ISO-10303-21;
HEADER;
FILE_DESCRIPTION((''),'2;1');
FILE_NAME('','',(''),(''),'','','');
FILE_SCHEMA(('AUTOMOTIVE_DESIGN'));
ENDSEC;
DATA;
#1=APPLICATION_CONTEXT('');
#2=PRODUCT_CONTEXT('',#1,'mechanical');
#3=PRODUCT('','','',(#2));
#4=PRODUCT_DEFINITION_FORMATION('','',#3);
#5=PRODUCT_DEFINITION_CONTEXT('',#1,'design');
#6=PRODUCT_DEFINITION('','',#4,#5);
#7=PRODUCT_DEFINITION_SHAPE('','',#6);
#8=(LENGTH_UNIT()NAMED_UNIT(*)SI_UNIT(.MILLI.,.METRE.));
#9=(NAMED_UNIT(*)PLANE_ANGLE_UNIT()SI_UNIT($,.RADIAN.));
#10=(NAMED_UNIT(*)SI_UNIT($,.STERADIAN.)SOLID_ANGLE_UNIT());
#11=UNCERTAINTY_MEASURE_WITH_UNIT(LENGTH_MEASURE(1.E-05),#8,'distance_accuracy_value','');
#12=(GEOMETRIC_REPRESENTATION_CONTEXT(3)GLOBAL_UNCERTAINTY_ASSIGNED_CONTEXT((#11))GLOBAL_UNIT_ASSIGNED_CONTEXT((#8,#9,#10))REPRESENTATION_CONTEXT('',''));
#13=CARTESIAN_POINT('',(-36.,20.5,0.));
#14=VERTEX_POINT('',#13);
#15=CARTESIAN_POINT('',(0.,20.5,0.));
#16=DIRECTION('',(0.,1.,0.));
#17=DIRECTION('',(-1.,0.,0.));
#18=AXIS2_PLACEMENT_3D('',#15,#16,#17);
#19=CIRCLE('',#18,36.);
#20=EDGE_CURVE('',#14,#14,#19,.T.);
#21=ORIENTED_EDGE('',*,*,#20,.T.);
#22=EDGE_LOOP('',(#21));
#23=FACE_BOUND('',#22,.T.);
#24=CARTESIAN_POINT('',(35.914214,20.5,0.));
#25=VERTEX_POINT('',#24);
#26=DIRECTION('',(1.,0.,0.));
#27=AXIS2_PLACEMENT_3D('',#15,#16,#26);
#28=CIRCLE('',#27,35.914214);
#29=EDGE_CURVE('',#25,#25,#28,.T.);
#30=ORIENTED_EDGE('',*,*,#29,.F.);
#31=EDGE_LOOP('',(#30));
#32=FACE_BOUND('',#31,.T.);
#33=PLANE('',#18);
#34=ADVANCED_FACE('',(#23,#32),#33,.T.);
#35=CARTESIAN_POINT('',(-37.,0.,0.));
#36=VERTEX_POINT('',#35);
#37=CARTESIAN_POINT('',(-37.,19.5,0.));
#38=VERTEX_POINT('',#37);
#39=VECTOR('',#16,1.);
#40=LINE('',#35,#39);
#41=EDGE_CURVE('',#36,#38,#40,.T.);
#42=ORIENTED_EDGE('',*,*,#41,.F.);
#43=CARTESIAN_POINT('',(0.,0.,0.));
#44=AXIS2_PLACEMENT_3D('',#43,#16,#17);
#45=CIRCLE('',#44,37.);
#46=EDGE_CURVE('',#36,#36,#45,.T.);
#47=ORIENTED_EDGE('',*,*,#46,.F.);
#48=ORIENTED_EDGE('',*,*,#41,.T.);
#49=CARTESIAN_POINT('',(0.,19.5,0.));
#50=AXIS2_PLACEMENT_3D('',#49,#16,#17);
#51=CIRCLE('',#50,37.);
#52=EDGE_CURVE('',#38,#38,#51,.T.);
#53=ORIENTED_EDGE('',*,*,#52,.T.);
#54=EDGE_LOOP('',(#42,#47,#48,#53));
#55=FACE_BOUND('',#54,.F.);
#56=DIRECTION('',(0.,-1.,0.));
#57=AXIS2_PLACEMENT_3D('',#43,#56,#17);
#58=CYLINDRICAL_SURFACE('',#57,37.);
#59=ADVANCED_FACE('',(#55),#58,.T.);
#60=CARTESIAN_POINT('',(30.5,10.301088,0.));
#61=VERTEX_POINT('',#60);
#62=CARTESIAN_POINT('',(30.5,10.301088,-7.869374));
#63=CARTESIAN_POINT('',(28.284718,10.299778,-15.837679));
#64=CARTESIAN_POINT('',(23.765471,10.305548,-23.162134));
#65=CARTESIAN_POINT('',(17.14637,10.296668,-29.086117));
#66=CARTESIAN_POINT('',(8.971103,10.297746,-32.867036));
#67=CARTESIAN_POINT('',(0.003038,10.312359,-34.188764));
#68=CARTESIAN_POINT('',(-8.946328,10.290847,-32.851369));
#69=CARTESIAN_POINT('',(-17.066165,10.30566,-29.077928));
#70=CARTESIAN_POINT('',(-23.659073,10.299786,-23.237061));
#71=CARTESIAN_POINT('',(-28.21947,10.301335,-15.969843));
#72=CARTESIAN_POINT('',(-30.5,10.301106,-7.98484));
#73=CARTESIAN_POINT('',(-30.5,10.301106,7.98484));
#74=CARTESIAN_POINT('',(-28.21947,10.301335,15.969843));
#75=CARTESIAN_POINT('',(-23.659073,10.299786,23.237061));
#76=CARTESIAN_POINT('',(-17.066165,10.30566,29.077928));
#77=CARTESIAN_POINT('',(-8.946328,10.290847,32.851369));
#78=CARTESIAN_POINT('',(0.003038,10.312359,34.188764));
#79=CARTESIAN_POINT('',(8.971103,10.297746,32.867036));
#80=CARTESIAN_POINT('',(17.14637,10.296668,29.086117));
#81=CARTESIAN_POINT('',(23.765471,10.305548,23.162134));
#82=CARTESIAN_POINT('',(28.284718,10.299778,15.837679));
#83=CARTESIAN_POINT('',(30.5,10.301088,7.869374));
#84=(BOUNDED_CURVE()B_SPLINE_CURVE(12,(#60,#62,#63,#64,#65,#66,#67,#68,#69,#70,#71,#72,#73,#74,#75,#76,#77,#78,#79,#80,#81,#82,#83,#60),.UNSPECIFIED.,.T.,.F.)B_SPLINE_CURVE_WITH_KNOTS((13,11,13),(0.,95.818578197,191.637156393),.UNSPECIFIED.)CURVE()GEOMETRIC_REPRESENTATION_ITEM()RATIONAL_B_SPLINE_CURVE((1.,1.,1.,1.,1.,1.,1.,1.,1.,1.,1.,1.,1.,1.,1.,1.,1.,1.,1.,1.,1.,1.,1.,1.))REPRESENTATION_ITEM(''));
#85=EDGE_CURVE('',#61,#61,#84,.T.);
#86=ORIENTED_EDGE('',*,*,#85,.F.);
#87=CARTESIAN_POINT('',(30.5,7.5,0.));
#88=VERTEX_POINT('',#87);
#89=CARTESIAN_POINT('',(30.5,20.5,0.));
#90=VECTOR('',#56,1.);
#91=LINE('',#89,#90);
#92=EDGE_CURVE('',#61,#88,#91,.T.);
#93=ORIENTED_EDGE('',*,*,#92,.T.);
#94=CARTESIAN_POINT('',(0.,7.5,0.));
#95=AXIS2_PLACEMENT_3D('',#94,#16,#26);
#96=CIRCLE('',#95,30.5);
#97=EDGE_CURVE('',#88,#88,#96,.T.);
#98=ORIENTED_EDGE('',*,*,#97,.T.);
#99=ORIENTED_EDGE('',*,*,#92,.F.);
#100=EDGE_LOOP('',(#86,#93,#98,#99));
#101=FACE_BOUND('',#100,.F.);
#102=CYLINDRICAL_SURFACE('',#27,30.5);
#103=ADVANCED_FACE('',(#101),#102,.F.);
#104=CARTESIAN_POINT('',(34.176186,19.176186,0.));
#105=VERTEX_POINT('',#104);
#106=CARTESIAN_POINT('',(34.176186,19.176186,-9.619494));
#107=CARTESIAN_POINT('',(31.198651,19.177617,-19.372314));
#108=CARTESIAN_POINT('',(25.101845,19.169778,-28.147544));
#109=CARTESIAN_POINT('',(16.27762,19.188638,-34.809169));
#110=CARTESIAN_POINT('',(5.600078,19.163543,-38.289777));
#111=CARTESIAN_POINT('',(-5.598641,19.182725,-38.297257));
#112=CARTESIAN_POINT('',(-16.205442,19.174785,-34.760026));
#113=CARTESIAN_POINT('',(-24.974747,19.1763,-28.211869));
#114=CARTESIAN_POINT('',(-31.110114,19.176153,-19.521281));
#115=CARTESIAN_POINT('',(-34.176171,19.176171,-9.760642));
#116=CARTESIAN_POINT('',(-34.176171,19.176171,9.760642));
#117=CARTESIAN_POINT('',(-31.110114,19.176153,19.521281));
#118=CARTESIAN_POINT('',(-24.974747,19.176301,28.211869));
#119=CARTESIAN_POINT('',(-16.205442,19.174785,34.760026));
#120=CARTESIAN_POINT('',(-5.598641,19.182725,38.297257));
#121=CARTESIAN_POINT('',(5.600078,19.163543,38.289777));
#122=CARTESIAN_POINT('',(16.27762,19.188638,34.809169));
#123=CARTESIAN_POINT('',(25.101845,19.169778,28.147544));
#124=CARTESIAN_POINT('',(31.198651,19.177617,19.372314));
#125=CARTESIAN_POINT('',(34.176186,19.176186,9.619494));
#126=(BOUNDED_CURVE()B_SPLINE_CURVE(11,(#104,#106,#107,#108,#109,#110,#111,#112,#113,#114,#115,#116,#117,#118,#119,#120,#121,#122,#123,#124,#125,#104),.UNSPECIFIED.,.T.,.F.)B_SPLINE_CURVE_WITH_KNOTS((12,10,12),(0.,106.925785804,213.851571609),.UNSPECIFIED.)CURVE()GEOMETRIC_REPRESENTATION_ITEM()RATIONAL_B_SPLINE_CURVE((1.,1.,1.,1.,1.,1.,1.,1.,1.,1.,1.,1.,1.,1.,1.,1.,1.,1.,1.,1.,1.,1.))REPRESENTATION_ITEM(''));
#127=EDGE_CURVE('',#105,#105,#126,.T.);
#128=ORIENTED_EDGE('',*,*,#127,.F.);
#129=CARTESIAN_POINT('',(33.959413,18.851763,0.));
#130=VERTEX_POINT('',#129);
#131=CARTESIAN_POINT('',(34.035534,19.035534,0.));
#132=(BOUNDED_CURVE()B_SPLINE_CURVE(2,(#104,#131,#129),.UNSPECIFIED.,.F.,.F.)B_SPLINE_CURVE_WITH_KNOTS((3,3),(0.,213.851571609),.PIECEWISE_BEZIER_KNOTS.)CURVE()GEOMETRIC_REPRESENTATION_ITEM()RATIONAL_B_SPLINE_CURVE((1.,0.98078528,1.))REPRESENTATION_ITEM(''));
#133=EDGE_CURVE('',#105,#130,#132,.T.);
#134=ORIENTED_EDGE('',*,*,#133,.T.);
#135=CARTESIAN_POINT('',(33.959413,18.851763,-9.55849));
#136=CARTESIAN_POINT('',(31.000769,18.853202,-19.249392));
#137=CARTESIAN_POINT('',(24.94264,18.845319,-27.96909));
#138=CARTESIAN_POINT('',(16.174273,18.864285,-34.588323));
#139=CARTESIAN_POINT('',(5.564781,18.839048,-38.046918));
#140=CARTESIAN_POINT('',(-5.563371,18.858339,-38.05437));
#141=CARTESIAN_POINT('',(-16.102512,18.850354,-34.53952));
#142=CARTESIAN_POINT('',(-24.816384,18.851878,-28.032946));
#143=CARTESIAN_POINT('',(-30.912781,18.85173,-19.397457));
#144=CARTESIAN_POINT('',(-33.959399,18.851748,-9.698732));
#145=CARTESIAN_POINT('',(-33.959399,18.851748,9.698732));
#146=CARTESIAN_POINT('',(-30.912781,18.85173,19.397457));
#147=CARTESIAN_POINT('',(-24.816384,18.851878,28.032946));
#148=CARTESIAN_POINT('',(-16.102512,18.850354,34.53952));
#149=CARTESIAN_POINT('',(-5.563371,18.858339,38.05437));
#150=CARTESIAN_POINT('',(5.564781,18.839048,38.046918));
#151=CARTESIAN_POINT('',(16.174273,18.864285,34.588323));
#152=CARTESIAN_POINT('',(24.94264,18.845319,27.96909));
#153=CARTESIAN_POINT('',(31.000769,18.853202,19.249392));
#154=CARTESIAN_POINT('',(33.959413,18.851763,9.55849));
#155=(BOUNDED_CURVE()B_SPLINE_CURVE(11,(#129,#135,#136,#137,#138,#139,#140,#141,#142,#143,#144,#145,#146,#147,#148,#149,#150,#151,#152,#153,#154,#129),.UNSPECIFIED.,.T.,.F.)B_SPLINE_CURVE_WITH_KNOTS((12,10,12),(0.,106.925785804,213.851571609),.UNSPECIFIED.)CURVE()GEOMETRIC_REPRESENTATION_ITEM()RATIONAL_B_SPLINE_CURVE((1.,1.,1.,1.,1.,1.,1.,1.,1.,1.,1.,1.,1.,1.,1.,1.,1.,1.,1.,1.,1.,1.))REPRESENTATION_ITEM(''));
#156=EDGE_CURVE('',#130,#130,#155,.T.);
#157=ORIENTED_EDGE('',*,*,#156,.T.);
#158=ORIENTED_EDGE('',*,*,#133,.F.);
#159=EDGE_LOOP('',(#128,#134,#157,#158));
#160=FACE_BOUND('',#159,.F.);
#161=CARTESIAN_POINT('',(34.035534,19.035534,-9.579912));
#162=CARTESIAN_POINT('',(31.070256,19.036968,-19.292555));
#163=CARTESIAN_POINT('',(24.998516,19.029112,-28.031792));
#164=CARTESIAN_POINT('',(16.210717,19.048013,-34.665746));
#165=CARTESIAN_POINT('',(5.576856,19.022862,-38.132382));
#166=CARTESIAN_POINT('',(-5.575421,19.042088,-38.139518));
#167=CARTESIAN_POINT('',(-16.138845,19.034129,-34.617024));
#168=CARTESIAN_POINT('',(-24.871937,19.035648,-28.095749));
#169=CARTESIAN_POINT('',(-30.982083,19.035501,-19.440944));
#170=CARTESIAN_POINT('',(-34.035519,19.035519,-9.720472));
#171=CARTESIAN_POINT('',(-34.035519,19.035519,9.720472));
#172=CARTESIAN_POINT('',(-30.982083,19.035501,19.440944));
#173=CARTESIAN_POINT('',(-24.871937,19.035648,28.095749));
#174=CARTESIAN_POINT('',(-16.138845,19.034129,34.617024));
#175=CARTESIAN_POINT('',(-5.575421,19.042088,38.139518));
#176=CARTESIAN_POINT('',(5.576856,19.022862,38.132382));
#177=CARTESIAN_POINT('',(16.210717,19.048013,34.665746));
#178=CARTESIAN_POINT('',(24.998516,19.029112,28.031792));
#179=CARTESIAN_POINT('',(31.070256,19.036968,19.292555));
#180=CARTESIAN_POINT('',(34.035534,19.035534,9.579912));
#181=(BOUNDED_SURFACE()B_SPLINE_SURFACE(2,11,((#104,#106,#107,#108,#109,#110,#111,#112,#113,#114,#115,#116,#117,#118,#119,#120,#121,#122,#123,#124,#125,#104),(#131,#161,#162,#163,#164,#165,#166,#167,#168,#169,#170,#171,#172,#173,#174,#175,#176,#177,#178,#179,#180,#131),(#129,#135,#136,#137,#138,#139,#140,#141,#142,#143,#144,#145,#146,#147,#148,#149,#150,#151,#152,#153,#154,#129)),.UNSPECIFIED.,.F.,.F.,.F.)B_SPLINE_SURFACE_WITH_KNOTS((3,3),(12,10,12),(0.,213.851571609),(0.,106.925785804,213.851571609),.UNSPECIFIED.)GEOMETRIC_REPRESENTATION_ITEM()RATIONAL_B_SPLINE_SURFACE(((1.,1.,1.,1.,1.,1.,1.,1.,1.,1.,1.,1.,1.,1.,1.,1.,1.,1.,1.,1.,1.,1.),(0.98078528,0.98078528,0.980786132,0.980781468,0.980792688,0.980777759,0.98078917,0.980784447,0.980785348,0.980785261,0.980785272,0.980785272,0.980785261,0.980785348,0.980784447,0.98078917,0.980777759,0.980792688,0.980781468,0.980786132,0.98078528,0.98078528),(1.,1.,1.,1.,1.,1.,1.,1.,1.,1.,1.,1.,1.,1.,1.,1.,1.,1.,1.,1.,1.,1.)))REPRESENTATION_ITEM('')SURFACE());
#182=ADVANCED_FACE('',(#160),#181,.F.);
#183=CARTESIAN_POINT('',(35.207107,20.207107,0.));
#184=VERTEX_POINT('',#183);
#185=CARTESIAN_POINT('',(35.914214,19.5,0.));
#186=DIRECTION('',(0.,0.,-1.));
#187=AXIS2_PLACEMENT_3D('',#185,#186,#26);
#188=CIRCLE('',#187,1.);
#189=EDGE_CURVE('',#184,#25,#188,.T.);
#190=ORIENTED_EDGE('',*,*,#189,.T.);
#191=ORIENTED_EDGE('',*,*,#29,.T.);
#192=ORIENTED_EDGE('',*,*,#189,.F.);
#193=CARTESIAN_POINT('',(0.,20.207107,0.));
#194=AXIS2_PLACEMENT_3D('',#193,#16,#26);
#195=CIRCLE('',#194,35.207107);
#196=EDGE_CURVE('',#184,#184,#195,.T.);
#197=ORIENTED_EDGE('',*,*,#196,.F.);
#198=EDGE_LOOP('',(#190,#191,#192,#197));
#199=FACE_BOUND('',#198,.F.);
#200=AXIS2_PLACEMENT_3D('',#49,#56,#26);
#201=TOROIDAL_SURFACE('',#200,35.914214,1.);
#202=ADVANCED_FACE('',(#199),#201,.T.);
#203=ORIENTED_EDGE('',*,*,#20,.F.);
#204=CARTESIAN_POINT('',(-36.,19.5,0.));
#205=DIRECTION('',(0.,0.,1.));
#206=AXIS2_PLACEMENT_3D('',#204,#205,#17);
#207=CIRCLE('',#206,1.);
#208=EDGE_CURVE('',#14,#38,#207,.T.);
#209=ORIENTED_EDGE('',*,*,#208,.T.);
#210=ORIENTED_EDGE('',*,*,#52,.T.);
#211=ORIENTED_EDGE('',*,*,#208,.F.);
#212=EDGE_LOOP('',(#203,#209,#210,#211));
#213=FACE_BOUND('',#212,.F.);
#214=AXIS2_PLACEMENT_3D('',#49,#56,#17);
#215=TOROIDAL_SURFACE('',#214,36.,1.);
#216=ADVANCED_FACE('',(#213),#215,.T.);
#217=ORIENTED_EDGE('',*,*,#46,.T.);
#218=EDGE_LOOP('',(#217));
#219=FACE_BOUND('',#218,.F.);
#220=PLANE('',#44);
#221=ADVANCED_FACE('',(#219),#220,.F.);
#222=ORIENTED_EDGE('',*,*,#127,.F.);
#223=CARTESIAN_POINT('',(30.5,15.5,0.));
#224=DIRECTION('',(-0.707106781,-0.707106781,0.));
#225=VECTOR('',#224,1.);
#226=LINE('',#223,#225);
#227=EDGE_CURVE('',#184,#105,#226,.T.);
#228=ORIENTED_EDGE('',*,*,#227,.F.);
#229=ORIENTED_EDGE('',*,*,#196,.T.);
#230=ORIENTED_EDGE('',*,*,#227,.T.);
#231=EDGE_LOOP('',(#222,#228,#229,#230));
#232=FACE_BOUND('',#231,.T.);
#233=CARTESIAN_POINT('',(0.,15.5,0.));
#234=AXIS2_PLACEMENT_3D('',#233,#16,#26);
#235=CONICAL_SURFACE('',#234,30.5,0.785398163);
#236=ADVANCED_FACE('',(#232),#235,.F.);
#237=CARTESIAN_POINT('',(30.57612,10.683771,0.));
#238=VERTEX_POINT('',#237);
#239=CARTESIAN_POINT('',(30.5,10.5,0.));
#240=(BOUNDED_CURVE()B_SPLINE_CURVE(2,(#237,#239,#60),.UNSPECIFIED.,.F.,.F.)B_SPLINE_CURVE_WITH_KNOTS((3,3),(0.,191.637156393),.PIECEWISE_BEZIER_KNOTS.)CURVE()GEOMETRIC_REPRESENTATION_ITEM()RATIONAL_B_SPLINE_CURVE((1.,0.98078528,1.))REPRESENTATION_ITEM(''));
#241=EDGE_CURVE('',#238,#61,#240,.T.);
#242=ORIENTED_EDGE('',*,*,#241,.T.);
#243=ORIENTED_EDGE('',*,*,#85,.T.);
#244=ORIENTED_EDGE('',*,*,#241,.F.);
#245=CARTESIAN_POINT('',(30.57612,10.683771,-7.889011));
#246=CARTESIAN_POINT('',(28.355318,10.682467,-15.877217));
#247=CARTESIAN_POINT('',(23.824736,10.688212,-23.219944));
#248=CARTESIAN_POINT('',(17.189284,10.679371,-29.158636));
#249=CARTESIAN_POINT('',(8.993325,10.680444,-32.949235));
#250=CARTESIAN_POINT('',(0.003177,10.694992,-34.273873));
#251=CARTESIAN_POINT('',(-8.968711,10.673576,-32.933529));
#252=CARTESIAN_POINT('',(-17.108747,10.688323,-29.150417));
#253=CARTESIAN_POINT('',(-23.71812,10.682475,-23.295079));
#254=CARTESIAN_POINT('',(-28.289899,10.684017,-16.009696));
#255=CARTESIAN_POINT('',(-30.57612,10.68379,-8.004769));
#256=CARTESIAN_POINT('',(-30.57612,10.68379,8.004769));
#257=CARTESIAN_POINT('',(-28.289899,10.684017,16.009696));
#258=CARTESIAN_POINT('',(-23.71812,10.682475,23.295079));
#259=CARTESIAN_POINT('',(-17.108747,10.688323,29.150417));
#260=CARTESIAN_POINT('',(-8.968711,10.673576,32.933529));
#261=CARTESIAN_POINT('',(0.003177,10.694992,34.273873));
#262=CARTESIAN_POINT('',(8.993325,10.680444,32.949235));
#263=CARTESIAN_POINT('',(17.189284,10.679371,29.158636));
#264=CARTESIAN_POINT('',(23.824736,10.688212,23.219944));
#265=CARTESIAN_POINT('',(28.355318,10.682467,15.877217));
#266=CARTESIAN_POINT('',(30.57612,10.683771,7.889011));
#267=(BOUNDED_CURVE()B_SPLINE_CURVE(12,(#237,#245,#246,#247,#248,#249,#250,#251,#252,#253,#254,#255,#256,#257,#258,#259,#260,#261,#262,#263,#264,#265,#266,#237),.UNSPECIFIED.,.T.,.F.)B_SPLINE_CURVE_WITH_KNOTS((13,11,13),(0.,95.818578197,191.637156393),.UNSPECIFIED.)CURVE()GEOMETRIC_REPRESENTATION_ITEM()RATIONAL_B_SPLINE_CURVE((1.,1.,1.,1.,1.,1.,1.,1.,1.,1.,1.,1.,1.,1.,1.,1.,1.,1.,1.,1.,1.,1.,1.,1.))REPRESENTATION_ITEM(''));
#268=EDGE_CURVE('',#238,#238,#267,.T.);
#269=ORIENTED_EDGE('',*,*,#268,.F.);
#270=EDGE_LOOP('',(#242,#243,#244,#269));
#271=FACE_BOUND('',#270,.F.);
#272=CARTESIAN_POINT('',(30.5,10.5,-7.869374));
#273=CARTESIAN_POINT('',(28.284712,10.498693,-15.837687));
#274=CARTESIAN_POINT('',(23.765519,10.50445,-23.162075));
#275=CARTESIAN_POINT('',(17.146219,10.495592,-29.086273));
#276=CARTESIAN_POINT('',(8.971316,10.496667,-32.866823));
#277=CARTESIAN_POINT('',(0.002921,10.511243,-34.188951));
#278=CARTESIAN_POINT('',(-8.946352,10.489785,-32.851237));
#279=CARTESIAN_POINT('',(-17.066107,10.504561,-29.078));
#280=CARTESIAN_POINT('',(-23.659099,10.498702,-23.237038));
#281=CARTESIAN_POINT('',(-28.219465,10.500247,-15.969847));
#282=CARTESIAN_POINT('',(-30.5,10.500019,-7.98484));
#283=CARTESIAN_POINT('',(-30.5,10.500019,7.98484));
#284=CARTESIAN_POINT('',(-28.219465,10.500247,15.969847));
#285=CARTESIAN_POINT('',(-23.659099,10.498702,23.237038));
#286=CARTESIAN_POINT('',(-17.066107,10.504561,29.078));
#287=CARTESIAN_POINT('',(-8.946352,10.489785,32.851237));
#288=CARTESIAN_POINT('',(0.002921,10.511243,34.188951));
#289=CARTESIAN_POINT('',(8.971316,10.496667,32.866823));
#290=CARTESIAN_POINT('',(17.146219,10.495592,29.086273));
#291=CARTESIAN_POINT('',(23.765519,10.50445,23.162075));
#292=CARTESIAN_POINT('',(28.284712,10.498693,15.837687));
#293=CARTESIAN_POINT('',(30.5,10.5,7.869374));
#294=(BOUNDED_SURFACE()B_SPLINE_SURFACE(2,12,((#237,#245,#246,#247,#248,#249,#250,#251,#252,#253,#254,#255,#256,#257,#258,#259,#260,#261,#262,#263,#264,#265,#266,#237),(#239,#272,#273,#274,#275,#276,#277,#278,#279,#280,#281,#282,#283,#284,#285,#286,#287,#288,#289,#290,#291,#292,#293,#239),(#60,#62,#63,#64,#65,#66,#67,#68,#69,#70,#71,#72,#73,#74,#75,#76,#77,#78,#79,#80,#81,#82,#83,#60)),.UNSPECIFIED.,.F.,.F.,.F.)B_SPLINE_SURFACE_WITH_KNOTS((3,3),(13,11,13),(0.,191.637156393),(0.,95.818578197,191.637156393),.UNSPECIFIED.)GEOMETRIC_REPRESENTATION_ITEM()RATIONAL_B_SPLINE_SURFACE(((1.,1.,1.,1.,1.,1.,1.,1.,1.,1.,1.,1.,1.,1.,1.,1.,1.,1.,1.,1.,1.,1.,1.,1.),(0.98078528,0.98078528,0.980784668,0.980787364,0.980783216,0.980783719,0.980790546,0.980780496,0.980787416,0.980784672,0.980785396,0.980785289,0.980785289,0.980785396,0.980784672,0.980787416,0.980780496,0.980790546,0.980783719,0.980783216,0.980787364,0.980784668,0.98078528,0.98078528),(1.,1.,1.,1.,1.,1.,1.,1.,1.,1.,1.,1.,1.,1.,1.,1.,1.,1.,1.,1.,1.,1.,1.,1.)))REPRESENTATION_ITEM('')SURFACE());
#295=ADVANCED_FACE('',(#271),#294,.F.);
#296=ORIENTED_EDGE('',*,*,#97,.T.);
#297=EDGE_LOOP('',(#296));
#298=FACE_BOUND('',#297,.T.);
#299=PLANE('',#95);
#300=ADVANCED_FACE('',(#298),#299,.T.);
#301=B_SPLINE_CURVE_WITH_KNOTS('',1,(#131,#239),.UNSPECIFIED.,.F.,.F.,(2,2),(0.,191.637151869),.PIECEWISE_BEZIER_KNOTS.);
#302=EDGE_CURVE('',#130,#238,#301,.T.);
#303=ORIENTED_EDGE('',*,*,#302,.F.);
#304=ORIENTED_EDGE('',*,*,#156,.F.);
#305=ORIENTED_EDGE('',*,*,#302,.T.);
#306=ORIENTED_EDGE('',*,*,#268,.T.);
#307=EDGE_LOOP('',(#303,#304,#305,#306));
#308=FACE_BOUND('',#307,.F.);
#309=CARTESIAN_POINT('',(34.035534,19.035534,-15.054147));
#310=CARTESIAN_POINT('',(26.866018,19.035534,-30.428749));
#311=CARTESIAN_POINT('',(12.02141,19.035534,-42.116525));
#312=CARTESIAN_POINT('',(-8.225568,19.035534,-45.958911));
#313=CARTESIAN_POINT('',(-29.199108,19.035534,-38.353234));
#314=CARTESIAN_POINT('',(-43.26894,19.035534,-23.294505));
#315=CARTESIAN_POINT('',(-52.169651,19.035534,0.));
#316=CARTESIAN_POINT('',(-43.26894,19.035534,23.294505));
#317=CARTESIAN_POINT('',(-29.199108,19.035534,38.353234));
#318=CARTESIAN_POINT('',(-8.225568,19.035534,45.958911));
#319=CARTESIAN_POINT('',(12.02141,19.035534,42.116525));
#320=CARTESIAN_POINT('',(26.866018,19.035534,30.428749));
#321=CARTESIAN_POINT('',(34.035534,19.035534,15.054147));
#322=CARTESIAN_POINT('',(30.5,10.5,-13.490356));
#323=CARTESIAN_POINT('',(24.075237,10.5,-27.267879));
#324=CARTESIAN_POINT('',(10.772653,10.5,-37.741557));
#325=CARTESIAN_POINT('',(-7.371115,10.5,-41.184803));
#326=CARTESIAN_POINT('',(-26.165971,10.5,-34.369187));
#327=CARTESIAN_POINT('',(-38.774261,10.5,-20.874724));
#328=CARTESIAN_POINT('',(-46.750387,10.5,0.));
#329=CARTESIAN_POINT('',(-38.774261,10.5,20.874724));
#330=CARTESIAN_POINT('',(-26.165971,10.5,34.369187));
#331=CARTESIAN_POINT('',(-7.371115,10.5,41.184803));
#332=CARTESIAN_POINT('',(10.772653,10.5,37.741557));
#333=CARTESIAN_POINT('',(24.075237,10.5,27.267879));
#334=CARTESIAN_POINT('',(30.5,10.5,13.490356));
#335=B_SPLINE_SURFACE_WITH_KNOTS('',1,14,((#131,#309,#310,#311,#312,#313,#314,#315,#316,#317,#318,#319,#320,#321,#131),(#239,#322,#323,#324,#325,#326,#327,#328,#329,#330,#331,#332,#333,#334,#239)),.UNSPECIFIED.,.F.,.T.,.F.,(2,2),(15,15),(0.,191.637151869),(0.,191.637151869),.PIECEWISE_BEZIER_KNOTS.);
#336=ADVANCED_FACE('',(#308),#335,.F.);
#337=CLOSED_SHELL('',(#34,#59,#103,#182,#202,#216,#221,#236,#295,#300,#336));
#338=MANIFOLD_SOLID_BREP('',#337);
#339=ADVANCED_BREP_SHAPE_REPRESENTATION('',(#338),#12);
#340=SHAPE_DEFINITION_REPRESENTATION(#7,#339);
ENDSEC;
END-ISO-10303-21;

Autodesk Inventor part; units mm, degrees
ref_plane "YZ Plane" through (0, 0, 0) normal (1, 0, 0) x (0, 1, 0)
ref_plane "XZ Plane" through (0, 0, 0) normal (0, 1, 0) x (-1, 0, 0)
ref_plane "XY Plane" through (0, 0, 0) normal (0, 0, 1) x (1, 0, 0)
sketch "Skizze1" plane through (0, 0, 0) normal (0, 1, 0) x (-1, 0, 0)
  circle A0 centre (0, 0) radius 37
  dimension "d0" = 74
extrude "Extrusion1" add sketch "Skizze1" along normal blind 20.5
sketch "Skizze2" plane through (0, 20.5, 0) normal (0, 1, 0) x (1, 0, 0)
  circle A0 centre (0, 0) radius 30.5
  dimension "d3" = 61
extrude "Extrusion2" cut sketch "Skizze2" against normal blind 13
chamfer "Fase1" distance 5 angle 45 1 edges at (-30.5, 20.5, 0)
chamfer "Fase2" distance 5 angle 45 1 edges at (-30.5, 15.5, 0)
fillet "Rundung2" radius 1 2 edges at (37, 20.5, 0) (-35.5, 20.5, 0)
fillet "Rundung3" radius 1 2 edges at (-34.0355, 19.0355, 0) (-30.5, 10.5, 0)
properties part number "bat" material "ABS-Kunststoff"
